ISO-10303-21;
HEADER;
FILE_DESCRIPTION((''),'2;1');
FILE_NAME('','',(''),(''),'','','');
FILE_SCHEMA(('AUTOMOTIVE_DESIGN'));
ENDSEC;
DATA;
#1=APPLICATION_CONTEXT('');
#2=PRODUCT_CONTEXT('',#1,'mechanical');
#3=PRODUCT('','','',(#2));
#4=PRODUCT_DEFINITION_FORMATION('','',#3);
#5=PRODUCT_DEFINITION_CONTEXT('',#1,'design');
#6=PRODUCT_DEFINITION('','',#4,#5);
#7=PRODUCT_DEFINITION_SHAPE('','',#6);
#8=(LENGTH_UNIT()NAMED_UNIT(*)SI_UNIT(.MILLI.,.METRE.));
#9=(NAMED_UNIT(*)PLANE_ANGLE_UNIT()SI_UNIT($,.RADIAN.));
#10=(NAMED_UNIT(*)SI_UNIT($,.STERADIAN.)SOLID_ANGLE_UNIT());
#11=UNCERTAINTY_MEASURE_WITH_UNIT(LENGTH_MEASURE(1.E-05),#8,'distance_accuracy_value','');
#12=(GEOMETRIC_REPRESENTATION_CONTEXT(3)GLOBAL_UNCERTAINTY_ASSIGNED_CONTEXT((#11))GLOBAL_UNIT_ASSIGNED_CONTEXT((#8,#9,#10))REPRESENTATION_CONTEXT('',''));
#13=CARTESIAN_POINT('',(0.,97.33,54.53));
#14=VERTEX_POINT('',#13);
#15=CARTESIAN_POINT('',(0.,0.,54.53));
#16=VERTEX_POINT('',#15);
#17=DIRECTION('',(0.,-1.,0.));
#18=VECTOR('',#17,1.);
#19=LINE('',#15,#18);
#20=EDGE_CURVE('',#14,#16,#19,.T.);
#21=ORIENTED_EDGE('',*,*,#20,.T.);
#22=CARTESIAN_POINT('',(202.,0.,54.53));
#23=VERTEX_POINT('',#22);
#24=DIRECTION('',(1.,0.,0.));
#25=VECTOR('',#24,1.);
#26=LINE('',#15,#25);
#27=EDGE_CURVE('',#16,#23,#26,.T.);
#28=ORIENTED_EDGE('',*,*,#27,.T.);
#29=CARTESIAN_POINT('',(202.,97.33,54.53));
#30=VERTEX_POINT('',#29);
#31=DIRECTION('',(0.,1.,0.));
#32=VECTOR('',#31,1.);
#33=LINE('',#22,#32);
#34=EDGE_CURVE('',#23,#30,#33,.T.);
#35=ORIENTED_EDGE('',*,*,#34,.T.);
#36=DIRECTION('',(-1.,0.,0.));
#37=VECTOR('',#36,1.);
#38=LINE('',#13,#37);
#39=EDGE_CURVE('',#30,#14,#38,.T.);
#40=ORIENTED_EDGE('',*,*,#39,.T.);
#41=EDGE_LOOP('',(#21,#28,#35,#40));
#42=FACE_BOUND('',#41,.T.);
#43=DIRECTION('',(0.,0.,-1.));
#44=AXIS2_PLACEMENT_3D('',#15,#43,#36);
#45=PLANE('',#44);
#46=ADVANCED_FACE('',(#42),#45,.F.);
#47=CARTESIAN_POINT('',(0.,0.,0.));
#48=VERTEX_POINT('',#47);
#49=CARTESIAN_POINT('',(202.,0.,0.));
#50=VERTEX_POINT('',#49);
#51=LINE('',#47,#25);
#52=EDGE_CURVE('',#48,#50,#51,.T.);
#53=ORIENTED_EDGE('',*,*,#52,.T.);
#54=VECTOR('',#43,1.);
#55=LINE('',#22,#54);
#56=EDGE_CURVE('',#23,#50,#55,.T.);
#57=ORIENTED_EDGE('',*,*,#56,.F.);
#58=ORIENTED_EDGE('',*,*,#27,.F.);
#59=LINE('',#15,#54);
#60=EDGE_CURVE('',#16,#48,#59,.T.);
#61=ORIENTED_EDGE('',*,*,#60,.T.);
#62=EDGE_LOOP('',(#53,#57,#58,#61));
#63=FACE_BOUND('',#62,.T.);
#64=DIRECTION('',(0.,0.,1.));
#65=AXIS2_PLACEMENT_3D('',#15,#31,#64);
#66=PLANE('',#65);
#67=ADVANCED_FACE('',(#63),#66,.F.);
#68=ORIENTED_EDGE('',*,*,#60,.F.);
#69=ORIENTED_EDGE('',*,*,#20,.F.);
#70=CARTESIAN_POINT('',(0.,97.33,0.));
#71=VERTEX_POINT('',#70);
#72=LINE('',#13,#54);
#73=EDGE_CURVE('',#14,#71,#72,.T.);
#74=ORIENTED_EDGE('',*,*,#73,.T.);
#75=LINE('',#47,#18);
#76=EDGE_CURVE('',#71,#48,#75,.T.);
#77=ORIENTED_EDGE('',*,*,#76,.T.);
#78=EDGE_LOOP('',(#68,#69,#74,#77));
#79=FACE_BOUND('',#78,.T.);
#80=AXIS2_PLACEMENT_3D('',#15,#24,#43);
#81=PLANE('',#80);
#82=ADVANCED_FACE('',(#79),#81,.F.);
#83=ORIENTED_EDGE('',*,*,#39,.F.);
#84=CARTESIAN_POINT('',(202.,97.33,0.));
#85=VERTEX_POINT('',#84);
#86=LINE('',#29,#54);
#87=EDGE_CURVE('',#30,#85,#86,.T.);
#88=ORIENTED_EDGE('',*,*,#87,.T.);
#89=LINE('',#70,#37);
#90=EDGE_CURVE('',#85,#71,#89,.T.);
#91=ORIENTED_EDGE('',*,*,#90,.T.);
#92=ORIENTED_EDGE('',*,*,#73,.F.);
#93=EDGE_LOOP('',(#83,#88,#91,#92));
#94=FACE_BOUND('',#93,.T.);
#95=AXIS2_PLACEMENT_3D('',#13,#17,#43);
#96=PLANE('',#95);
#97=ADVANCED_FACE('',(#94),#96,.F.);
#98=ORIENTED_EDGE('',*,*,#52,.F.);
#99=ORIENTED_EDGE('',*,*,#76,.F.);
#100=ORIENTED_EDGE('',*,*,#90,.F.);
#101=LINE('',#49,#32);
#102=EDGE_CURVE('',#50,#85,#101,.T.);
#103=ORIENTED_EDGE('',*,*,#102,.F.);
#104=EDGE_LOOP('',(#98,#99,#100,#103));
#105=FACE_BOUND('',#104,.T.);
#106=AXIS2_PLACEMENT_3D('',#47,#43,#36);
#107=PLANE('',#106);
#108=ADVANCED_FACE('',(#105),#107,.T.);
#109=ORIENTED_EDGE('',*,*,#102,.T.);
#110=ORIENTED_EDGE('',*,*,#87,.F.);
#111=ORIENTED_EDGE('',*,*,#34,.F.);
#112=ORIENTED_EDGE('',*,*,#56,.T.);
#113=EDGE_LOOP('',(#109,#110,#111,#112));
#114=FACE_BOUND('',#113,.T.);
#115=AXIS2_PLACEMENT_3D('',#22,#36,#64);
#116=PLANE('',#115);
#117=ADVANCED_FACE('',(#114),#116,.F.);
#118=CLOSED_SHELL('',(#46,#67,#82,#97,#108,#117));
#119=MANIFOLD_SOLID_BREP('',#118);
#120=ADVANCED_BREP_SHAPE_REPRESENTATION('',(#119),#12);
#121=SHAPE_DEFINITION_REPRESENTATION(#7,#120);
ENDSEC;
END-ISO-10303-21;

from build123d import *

# Parameters (mm, degrees)
SKETCH1_W           = 202
SKETCH1_H           = 97.33
BOSS_EXTRUDE1_DEPTH = 54.53


with BuildPart() as part:
    # Sketch1 → Boss-Extrude1 (new body)
    with BuildSketch(Plane.XY):
        with Locations((101, 48.665)):
            Rectangle(SKETCH1_W, SKETCH1_H)
    extrude(amount=BOSS_EXTRUDE1_DEPTH)


solid = part.part
